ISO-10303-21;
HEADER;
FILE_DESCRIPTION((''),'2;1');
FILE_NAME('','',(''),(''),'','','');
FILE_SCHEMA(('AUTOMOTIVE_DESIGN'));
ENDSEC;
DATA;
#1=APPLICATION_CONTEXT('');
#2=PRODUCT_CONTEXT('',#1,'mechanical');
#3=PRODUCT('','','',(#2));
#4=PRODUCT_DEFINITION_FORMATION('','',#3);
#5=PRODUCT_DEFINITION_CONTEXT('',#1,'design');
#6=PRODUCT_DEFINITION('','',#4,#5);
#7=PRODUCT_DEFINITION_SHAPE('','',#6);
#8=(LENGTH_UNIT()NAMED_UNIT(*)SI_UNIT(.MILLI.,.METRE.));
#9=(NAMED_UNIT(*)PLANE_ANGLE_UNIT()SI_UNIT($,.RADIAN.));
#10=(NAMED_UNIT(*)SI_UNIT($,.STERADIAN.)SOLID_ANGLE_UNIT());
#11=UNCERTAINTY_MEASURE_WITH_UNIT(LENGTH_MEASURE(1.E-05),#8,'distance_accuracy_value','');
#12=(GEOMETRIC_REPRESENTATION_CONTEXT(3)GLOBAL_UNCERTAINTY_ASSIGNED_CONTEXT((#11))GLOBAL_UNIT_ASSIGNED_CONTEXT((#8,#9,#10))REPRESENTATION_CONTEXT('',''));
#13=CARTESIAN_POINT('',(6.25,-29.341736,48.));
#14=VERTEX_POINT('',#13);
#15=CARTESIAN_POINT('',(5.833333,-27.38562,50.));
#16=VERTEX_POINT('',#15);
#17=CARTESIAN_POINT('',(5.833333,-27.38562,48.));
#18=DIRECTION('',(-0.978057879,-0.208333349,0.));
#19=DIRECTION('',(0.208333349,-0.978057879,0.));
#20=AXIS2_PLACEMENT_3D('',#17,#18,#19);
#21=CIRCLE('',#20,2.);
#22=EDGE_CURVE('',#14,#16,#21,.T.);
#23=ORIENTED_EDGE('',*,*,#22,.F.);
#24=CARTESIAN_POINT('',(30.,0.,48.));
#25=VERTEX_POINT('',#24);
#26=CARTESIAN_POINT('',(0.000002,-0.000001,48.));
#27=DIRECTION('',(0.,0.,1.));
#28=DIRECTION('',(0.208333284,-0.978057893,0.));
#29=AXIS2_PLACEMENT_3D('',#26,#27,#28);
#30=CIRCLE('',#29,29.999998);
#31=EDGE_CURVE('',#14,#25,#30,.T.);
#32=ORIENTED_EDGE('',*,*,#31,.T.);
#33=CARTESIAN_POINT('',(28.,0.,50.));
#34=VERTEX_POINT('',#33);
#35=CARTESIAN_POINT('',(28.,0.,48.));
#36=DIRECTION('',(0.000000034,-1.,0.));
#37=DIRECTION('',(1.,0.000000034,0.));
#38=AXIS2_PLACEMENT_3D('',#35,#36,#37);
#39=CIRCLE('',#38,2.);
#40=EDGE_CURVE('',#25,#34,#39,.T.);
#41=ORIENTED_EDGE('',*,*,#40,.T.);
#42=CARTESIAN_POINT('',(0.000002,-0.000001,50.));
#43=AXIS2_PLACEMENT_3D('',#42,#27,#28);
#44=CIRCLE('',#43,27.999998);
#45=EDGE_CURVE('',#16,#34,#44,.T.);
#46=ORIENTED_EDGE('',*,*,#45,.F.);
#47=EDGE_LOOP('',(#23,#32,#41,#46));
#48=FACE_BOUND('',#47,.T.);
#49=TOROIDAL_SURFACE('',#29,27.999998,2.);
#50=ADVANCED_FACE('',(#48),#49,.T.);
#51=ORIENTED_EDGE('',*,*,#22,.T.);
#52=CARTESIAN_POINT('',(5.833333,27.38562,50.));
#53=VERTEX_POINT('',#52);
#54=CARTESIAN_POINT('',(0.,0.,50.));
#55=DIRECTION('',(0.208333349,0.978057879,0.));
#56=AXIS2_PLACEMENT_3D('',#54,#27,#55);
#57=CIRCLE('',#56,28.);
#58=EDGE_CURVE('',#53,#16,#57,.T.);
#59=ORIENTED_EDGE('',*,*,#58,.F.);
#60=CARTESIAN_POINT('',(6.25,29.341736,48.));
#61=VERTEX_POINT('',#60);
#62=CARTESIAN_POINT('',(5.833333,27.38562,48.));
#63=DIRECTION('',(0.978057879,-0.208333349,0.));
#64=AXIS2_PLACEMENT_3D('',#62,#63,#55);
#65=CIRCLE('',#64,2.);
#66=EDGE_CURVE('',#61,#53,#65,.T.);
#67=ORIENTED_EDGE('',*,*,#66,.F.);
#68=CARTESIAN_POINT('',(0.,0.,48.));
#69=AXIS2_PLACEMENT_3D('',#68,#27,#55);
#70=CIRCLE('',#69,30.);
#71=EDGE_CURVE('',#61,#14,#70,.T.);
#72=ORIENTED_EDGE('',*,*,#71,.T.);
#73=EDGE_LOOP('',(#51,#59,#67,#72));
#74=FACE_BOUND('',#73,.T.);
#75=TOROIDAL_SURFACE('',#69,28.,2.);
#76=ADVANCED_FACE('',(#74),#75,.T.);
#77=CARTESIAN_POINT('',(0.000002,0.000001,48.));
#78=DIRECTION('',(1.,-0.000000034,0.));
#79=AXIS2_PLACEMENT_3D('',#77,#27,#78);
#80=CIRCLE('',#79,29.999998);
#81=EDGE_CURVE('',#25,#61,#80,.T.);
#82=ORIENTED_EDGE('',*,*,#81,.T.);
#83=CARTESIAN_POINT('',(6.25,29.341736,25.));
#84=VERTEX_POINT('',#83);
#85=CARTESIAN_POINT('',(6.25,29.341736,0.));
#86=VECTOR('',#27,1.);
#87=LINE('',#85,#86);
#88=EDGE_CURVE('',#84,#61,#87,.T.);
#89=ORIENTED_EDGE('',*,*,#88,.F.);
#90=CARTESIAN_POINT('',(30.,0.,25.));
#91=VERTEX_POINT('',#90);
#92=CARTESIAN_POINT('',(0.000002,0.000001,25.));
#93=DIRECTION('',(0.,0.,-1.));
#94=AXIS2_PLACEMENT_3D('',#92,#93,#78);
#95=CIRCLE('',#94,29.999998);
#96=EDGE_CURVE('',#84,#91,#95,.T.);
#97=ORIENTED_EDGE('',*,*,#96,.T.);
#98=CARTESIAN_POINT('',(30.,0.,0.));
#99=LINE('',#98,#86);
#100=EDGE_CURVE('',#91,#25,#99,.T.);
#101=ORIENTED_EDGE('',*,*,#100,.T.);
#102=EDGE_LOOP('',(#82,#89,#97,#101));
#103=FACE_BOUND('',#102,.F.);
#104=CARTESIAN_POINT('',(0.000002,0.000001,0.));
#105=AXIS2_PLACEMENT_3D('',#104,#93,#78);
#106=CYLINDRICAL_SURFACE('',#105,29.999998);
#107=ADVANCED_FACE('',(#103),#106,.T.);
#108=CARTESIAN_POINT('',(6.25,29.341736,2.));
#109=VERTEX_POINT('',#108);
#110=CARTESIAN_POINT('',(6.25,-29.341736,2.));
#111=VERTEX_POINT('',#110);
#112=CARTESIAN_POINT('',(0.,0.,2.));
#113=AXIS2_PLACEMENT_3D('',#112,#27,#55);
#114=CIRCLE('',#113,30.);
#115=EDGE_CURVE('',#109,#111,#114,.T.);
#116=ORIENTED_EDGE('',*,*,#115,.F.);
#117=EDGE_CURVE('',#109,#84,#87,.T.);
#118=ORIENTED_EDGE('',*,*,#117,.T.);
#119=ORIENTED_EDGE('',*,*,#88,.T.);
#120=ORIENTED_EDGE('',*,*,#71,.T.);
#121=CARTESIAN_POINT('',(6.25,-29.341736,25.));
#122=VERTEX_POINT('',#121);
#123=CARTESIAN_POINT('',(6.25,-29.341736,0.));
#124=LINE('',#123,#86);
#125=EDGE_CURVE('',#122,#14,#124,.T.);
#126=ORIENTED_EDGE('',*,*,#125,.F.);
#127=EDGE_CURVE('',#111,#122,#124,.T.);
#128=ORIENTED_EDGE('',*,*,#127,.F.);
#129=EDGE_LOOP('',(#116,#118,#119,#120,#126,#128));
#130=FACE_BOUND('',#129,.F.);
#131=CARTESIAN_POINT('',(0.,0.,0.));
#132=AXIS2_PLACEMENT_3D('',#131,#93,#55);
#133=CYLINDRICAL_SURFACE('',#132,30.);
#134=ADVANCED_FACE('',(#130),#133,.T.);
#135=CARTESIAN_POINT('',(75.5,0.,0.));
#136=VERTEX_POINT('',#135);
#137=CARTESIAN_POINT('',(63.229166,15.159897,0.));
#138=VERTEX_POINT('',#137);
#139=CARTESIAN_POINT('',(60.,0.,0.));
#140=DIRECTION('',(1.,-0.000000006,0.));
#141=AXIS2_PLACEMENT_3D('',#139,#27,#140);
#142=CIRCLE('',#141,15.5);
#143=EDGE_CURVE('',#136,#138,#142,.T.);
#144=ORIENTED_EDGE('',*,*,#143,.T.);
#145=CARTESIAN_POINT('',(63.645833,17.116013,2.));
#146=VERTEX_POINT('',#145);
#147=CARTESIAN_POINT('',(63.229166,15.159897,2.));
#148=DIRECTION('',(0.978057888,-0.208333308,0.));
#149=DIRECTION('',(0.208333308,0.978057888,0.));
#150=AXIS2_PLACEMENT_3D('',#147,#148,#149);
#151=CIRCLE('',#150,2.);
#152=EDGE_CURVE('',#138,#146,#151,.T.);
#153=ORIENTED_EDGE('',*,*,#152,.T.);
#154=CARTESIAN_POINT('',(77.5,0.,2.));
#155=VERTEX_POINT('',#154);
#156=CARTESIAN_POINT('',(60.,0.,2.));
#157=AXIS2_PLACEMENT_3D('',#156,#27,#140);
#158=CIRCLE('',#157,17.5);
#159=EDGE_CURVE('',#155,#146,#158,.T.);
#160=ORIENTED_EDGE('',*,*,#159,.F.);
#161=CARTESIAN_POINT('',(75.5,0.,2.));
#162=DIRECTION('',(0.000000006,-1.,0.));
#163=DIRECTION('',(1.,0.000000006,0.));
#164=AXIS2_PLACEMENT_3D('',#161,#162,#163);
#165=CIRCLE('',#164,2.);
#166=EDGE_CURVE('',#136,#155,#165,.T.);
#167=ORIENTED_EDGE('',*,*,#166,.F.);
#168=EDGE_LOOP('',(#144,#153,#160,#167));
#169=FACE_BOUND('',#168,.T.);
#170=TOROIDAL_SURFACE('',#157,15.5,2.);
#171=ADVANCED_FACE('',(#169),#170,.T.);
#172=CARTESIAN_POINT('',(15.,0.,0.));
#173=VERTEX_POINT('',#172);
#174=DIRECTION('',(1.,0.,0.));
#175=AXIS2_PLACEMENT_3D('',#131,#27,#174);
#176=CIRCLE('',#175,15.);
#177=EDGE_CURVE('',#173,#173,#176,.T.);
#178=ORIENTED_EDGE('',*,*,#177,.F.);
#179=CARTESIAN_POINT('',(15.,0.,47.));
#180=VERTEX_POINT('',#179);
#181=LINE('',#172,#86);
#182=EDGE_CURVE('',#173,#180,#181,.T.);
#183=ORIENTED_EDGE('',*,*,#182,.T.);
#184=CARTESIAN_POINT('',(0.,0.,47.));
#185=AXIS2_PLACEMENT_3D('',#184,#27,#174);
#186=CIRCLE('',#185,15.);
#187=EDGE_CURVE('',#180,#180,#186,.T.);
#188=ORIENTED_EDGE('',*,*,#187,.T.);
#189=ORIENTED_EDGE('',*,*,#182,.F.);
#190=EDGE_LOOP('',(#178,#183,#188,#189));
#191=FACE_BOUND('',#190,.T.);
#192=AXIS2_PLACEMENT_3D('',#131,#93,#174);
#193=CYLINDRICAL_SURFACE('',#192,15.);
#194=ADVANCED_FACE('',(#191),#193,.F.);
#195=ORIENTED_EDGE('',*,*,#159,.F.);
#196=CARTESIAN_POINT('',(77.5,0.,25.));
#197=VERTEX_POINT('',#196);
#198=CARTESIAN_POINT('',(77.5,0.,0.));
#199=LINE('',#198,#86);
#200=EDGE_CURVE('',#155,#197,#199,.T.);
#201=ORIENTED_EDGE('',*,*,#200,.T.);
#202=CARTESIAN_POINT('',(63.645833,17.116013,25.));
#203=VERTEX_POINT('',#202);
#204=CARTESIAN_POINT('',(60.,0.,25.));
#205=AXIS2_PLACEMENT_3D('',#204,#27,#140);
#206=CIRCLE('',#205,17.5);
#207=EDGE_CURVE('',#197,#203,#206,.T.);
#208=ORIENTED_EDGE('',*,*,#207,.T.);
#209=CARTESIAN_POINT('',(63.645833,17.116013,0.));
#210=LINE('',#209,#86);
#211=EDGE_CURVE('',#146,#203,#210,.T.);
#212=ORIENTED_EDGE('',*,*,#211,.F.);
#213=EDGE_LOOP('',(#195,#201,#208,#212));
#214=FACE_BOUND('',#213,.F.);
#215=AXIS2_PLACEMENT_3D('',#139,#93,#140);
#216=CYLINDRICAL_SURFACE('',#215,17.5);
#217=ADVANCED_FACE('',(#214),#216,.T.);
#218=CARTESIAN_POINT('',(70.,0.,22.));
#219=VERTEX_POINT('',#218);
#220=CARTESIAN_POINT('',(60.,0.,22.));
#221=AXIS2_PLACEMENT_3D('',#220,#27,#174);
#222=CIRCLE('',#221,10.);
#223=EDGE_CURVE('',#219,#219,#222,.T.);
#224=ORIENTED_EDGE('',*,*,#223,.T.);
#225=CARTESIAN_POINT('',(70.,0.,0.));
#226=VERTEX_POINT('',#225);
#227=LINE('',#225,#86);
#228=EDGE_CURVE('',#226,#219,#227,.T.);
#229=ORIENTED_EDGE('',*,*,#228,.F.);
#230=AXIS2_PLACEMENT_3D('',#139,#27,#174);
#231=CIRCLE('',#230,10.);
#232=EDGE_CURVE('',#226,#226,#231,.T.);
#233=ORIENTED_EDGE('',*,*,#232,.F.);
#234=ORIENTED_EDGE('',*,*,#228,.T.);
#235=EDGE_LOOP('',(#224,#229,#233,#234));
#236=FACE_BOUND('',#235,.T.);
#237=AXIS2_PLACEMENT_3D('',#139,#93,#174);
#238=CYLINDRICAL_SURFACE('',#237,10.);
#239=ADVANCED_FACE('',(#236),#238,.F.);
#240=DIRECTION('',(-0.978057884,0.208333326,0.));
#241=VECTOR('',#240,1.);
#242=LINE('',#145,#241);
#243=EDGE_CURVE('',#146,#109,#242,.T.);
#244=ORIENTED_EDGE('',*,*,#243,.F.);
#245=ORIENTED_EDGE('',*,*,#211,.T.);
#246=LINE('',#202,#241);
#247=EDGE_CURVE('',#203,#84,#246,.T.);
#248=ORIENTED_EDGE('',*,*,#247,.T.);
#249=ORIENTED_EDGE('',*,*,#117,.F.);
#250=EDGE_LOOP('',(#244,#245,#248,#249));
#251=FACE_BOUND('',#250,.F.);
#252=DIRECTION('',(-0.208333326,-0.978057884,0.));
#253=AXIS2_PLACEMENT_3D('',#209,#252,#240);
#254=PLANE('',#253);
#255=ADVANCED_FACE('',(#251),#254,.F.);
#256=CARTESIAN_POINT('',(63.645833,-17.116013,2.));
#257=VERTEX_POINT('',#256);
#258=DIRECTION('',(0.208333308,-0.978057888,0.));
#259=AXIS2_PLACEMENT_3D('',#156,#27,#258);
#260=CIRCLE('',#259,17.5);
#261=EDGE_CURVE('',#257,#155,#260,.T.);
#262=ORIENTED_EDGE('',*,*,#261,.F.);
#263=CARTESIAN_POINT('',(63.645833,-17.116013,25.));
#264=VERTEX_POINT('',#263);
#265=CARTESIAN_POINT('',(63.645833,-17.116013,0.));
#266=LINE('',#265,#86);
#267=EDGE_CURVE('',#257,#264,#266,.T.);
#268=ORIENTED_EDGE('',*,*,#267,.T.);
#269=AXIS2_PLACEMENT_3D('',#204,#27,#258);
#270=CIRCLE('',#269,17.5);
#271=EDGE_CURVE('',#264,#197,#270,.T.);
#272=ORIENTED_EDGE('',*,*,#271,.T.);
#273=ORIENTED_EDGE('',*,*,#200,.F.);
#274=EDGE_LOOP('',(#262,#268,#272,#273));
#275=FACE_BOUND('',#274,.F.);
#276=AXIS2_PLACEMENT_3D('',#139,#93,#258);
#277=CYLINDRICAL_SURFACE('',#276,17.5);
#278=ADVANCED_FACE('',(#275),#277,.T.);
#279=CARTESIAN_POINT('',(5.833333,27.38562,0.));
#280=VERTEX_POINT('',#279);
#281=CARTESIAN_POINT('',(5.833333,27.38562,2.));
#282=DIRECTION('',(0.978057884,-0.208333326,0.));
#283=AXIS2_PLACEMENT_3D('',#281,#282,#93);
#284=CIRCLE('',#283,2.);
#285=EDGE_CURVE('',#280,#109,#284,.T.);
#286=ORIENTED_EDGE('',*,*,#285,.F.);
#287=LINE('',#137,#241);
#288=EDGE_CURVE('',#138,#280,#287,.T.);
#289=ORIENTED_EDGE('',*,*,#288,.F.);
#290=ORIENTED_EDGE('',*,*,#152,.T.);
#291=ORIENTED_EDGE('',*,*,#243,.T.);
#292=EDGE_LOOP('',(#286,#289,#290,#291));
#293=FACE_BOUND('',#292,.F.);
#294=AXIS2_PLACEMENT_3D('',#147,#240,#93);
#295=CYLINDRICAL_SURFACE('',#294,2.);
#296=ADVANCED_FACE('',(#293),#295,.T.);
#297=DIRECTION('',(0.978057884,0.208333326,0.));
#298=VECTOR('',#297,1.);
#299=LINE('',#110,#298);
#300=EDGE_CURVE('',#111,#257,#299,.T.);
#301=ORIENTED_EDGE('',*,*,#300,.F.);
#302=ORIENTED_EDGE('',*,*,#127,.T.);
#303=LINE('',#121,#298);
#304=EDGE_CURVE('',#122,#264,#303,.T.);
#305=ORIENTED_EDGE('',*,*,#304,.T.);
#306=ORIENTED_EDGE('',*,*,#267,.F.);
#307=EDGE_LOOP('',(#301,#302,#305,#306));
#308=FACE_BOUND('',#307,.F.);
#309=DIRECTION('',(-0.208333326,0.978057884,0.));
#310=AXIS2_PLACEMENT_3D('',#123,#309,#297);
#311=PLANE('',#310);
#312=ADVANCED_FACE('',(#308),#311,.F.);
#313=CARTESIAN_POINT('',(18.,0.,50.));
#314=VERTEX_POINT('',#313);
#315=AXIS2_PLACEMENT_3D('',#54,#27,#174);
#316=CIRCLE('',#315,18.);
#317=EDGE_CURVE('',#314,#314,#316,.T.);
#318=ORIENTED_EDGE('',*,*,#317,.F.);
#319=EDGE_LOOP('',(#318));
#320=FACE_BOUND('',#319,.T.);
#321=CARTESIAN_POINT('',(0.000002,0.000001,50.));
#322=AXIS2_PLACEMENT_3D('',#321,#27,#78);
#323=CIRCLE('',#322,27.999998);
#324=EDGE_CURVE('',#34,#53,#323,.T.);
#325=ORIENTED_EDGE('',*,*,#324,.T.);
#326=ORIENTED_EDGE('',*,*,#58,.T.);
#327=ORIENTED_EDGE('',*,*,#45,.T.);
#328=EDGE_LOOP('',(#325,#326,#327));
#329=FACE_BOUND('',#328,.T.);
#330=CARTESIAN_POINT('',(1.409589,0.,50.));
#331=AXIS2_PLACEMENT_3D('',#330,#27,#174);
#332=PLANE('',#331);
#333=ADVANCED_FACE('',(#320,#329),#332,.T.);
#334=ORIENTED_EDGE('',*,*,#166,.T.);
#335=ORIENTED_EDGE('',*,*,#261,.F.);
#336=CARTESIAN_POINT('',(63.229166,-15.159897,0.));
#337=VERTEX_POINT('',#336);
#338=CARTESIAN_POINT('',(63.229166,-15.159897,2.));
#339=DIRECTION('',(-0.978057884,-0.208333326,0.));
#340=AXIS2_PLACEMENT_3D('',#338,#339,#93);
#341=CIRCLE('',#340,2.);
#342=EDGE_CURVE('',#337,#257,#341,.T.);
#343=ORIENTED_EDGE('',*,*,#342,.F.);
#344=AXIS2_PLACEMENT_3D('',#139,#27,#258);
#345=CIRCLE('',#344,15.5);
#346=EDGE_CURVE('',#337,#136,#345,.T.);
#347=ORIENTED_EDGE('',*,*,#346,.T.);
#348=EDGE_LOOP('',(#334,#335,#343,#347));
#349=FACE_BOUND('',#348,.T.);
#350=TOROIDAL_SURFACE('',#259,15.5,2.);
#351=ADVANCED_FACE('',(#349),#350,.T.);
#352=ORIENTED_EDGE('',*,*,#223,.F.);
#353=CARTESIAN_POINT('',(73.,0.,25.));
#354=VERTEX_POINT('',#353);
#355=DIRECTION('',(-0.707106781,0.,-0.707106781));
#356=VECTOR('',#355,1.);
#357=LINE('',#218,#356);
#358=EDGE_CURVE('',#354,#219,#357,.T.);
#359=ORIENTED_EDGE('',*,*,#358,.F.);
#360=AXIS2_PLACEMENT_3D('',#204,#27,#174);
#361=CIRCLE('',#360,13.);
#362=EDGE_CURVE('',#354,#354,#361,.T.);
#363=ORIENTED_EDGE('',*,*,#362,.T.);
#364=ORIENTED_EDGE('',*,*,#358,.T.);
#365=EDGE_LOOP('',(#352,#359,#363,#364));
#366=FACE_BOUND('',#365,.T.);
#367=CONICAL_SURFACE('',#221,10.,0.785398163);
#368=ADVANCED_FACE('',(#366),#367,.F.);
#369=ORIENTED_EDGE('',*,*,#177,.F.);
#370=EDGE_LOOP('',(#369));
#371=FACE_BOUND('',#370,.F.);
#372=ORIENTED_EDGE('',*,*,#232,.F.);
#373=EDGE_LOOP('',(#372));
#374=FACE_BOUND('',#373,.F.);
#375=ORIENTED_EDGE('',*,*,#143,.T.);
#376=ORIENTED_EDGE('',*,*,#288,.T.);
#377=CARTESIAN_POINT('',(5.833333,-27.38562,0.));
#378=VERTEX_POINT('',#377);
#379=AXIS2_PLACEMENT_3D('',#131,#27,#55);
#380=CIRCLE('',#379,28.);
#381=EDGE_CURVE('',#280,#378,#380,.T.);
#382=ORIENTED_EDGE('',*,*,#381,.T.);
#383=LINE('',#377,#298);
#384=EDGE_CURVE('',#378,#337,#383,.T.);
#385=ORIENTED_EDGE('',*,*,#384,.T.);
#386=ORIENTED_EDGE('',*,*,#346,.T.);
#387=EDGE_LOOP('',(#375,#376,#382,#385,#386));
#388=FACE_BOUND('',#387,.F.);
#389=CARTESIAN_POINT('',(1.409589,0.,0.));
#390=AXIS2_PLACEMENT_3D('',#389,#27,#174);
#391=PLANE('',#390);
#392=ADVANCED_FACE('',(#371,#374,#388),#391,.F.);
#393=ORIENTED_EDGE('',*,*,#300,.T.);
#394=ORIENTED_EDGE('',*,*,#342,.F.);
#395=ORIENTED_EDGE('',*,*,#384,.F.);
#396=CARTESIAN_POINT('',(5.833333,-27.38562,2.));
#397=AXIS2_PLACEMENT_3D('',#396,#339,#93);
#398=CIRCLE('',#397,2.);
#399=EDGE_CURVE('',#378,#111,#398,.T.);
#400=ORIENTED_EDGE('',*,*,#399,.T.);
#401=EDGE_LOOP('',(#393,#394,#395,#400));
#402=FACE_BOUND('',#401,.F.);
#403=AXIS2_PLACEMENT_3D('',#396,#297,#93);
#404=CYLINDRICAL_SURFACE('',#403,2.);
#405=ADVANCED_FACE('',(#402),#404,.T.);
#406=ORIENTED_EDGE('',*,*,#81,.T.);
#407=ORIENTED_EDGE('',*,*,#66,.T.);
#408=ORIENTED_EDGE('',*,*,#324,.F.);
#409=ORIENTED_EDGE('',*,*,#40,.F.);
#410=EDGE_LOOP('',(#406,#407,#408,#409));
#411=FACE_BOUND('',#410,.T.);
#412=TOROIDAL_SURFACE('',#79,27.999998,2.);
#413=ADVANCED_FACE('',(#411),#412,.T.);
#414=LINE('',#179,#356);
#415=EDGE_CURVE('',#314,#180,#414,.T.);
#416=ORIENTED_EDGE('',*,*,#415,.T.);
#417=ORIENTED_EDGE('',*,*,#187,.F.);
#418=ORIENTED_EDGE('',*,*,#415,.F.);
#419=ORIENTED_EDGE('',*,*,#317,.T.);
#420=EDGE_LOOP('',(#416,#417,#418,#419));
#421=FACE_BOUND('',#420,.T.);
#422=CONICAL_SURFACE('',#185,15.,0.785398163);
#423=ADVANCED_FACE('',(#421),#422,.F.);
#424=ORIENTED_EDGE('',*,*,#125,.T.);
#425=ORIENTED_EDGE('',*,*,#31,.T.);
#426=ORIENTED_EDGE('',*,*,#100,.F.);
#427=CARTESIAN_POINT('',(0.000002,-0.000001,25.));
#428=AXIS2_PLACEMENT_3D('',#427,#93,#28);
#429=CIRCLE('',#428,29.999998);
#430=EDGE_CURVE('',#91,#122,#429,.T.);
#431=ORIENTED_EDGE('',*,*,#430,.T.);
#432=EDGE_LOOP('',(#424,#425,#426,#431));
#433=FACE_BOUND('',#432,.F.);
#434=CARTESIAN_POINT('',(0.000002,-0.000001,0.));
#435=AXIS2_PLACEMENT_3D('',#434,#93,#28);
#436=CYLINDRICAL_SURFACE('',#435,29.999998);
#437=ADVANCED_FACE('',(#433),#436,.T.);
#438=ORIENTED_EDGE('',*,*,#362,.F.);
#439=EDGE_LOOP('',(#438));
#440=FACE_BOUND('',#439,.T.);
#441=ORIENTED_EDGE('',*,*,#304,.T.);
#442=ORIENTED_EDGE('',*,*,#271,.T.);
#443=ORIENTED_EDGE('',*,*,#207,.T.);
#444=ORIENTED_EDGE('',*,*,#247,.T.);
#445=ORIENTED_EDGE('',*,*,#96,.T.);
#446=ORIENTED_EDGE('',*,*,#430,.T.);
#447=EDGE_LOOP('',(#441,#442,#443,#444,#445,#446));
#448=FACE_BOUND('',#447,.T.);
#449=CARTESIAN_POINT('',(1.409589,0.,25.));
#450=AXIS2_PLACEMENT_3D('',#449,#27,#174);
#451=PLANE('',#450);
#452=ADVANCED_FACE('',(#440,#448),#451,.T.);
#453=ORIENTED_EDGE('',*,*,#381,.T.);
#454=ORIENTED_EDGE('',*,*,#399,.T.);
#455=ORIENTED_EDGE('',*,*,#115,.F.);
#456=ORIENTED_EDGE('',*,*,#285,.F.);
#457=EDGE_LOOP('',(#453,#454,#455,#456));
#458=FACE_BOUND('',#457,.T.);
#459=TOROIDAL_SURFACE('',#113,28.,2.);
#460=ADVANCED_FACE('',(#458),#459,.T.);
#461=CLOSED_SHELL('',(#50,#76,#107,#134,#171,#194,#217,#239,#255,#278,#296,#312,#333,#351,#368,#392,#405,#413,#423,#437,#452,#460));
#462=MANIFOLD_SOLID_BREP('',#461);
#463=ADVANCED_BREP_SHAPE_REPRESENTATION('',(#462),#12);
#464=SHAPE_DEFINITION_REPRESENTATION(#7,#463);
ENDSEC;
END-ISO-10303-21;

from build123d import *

# Parameters (mm, degrees)
F0_R     = 15
F0_R_2   = 10
F1_DEPTH = 25
F2_DEPTH = 50
F3_R     = 2
F4_SIZE  = 3


with BuildPart() as f1:
    # F0 (on Top) → F1 (new body)
    with BuildSketch(Plane.XY):
        with BuildLine():
            ThreePointArc((6.25, -29.341736), (23.318448, -18.874586), (30, 0))
            ThreePointArc((30, 0), (23.318448, 18.874586), (6.25, 29.341736))
            ThreePointArc((6.25, 29.341736), (-30, 0), (6.25, -29.341736))
        make_face()
        Circle(F0_R, mode=Mode.SUBTRACT)
        with BuildLine():
            ThreePointArc((6.25, 29.341736), (23.318448, 18.874586), (30, 0))
            ThreePointArc((30, 0), (23.318448, -18.874586), (6.25, -29.341736))
            Line((6.25, -29.341736), (63.645833, -17.116013))
            ThreePointArc((63.645833, -17.116013), (42.5, 0), (63.645833, 17.116013))
            Line((63.645833, 17.116013), (6.25, 29.341736))
        make_face()
        with BuildLine():
            ThreePointArc((77.5, 0), (73.602428, 11.010175), (63.645833, 17.116013))
            ThreePointArc((63.645833, 17.116013), (42.5, 0), (63.645833, -17.116013))
            ThreePointArc((63.645833, -17.116013), (73.602428, -11.010175), (77.5, 0))
        make_face()
        with Locations((60, 0)):
            Circle(F0_R_2, mode=Mode.SUBTRACT)
    extrude(amount=F1_DEPTH)

    # F0 (on Top) → F2 (join)
    with BuildSketch(Plane.XY):
        with BuildLine():
            ThreePointArc((6.25, -29.341736), (23.318448, -18.874586), (30, 0))
            ThreePointArc((30, 0), (23.318448, 18.874586), (6.25, 29.341736))
            ThreePointArc((6.25, 29.341736), (-30, 0), (6.25, -29.341736))
        make_face()
        Circle(F0_R, mode=Mode.SUBTRACT)
    extrude(amount=F2_DEPTH)

    # F3
    f3_edges = [f1.edges().sort_by_distance(p)[0] for p in [
        (-6.25, 29.341736, 50),
        (34.947917, -23.228875, 0),
    ]]
    fillet(f3_edges, radius=F3_R)

    # F4
    f4_edges = [f1.edges().sort_by_distance(p)[0] for p in [
        (50, 0, 25),
        (-15, 0, 50),
    ]]
    chamfer(f4_edges, length=F4_SIZE)


solid = f1.part
